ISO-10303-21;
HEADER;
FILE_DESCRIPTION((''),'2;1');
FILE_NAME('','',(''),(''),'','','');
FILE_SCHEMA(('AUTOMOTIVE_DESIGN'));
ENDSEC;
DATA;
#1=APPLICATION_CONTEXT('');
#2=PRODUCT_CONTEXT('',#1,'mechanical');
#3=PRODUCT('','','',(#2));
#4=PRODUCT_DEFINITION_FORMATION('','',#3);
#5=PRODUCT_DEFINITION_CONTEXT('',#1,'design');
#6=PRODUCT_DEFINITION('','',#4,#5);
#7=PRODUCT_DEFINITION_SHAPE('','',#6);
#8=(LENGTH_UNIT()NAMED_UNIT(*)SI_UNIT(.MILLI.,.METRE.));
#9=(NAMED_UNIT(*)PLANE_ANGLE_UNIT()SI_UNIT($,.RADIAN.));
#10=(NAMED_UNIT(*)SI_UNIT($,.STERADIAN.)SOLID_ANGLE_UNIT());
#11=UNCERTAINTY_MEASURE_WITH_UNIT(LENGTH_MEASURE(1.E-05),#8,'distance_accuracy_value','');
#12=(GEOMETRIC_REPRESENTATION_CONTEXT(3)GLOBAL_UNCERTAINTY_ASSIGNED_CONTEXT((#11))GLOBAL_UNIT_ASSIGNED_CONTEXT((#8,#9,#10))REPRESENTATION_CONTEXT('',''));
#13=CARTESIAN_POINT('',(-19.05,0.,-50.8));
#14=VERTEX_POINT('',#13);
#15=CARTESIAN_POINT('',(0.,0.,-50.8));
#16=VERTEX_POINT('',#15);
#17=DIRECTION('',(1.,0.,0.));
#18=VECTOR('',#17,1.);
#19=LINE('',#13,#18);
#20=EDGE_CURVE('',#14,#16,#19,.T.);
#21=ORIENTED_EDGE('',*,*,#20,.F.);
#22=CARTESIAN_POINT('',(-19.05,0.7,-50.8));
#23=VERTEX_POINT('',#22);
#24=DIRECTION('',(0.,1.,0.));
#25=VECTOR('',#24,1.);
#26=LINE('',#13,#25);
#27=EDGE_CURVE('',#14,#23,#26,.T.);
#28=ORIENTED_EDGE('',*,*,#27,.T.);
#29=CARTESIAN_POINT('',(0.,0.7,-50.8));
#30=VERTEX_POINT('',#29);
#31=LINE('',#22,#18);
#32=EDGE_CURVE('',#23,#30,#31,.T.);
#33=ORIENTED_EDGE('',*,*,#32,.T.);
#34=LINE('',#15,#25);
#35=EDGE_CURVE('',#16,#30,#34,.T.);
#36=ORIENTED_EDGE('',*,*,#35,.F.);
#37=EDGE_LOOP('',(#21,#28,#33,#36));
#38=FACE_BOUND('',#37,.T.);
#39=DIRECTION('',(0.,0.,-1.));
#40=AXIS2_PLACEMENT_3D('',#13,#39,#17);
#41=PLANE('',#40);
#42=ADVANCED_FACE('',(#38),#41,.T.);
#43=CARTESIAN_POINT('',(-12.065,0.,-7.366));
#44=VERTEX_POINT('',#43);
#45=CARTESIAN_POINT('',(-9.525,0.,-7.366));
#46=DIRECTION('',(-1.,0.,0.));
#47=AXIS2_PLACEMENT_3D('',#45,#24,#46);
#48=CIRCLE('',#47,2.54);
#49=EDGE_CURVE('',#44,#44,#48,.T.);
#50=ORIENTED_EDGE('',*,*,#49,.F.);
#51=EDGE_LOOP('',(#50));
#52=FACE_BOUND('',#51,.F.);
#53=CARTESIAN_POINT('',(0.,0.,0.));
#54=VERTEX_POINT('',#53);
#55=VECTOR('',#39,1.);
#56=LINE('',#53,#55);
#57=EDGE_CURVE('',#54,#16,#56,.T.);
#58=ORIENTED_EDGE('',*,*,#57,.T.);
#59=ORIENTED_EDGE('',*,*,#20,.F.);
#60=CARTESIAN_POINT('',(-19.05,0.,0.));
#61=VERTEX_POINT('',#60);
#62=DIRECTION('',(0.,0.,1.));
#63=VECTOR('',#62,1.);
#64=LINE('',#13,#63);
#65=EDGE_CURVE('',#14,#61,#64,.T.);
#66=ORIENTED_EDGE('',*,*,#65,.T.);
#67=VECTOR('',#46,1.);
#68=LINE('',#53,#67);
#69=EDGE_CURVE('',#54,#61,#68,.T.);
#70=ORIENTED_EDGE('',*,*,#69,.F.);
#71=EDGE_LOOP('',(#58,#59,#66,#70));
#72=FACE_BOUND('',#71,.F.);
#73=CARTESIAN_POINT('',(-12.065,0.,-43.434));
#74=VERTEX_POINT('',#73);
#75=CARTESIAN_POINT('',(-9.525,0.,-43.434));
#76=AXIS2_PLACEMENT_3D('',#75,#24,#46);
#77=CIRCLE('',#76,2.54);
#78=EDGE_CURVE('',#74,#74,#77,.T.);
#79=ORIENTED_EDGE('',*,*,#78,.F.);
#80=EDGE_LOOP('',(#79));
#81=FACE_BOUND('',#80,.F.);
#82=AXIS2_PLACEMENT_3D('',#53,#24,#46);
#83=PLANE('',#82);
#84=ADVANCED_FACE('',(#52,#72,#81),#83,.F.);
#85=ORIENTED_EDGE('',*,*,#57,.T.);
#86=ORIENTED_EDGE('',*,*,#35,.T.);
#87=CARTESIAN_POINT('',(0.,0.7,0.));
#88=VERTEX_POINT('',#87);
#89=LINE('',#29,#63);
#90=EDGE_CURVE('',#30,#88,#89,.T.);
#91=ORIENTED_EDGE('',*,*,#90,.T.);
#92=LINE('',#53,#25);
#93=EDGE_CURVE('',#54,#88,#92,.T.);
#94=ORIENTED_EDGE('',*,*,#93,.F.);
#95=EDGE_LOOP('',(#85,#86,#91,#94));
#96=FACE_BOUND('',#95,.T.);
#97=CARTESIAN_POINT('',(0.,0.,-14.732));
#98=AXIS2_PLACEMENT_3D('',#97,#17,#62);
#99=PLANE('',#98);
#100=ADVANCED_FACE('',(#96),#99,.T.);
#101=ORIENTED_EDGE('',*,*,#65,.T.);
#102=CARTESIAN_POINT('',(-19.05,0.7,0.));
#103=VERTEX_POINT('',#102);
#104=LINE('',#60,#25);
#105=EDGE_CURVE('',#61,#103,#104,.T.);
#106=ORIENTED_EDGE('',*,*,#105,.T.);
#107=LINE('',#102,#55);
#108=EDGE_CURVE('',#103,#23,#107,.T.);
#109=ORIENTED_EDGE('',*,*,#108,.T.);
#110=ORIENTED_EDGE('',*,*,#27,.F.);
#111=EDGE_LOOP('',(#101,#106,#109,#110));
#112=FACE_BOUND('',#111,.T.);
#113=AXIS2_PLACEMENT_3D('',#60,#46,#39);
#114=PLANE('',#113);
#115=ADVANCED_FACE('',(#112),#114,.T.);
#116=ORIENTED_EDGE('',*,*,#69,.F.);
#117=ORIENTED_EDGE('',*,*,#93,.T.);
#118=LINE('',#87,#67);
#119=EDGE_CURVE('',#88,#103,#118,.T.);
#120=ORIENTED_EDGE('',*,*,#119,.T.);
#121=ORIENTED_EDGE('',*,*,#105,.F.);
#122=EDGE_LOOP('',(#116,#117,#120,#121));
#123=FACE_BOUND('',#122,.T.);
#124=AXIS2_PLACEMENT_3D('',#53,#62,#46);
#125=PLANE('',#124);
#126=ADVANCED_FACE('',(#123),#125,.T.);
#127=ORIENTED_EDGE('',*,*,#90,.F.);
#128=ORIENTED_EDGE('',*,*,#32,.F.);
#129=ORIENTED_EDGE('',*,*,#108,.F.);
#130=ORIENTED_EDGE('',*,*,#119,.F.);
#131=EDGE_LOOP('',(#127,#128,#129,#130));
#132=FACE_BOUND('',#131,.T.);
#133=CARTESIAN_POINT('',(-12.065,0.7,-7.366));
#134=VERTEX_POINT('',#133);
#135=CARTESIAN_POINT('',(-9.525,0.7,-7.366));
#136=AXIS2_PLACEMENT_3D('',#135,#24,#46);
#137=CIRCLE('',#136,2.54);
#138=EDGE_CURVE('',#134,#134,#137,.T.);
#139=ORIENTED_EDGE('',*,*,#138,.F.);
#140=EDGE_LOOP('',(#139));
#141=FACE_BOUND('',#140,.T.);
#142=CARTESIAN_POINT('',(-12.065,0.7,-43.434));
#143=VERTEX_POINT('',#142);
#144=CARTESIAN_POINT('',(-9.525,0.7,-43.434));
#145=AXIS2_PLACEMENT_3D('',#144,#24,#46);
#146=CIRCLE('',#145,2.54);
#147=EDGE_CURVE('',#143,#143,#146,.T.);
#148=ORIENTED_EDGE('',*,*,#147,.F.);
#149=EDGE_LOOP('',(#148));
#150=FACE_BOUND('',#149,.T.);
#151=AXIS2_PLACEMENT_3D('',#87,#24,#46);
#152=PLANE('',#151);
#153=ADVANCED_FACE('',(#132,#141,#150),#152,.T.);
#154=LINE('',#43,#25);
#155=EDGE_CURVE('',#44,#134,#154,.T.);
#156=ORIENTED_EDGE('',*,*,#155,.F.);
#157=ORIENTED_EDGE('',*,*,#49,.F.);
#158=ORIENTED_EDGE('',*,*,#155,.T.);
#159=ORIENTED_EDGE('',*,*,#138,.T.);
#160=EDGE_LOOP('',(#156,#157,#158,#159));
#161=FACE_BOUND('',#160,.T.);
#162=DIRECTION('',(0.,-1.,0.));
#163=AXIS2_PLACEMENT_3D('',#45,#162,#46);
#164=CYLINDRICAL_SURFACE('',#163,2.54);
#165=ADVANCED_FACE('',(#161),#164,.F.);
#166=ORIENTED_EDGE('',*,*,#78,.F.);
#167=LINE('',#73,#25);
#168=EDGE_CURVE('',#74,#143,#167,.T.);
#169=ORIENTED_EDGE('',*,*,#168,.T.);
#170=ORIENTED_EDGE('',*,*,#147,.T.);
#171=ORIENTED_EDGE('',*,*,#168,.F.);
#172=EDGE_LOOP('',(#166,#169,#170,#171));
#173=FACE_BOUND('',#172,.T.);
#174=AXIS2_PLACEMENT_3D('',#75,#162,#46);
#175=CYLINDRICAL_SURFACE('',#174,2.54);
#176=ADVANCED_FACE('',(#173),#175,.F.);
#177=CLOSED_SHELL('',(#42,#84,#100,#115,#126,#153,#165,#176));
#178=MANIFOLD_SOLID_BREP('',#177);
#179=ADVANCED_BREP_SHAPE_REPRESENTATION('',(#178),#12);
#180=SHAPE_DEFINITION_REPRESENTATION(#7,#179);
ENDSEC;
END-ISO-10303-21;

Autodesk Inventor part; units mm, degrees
ref_plane "YZ Plane" through (0, 0, 0) normal (1, 0, 0) x (0, 1, 0)
ref_plane "XZ Plane" through (0, 0, 0) normal (0, 1, 0) x (-1, 0, 0)
ref_plane "XY Plane" through (0, 0, 0) normal (0, 0, 1) x (1, 0, 0)
sketch "Sketch1" plane through (0, 0, 0) normal (0, 1, 0) x (-1, 0, 0)
  line L0 (0, 0) -> (19.05, 0)
  line L1 (19.05, 0) -> (19.05, -50.8)
  line L2 (19.05, -50.8) -> (0, -50.8)
  line L3 (0, -50.8) -> (0, 0)
  line L4 (19.05, 0) -> (0, 0)
  line L5 (0, 0) -> (0, -14.732)
  line L6 (0, -14.732) -> (19.05, -14.732)
  line L7 (19.05, -14.732) -> (19.05, 0)
  line L8 (19.05, -50.8) -> (0, -50.8)
  line L9 (0, -50.8) -> (0, -36.068)
  line L10 (0, -36.068) -> (19.05, -36.068)
  line L11 (19.05, -36.068) -> (19.05, -50.8)
  circle A0 centre (9.525, -7.366) radius 2.54
  circle A1 centre (9.525, -43.434) radius 2.54
  dimension "d0" = 50.8
  dimension "d1" = 19.05
  dimension "d2" = 14.732
  dimension "d3" = 14.732
  dimension "d4" = 5.08
  dimension "d5" = 5.08
extrude "Extrusion1" add sketch "Sketch1" along normal blind 0.7
equation "\"d3\" = d2"
properties part number "Part18.iptMotorProtector2"
